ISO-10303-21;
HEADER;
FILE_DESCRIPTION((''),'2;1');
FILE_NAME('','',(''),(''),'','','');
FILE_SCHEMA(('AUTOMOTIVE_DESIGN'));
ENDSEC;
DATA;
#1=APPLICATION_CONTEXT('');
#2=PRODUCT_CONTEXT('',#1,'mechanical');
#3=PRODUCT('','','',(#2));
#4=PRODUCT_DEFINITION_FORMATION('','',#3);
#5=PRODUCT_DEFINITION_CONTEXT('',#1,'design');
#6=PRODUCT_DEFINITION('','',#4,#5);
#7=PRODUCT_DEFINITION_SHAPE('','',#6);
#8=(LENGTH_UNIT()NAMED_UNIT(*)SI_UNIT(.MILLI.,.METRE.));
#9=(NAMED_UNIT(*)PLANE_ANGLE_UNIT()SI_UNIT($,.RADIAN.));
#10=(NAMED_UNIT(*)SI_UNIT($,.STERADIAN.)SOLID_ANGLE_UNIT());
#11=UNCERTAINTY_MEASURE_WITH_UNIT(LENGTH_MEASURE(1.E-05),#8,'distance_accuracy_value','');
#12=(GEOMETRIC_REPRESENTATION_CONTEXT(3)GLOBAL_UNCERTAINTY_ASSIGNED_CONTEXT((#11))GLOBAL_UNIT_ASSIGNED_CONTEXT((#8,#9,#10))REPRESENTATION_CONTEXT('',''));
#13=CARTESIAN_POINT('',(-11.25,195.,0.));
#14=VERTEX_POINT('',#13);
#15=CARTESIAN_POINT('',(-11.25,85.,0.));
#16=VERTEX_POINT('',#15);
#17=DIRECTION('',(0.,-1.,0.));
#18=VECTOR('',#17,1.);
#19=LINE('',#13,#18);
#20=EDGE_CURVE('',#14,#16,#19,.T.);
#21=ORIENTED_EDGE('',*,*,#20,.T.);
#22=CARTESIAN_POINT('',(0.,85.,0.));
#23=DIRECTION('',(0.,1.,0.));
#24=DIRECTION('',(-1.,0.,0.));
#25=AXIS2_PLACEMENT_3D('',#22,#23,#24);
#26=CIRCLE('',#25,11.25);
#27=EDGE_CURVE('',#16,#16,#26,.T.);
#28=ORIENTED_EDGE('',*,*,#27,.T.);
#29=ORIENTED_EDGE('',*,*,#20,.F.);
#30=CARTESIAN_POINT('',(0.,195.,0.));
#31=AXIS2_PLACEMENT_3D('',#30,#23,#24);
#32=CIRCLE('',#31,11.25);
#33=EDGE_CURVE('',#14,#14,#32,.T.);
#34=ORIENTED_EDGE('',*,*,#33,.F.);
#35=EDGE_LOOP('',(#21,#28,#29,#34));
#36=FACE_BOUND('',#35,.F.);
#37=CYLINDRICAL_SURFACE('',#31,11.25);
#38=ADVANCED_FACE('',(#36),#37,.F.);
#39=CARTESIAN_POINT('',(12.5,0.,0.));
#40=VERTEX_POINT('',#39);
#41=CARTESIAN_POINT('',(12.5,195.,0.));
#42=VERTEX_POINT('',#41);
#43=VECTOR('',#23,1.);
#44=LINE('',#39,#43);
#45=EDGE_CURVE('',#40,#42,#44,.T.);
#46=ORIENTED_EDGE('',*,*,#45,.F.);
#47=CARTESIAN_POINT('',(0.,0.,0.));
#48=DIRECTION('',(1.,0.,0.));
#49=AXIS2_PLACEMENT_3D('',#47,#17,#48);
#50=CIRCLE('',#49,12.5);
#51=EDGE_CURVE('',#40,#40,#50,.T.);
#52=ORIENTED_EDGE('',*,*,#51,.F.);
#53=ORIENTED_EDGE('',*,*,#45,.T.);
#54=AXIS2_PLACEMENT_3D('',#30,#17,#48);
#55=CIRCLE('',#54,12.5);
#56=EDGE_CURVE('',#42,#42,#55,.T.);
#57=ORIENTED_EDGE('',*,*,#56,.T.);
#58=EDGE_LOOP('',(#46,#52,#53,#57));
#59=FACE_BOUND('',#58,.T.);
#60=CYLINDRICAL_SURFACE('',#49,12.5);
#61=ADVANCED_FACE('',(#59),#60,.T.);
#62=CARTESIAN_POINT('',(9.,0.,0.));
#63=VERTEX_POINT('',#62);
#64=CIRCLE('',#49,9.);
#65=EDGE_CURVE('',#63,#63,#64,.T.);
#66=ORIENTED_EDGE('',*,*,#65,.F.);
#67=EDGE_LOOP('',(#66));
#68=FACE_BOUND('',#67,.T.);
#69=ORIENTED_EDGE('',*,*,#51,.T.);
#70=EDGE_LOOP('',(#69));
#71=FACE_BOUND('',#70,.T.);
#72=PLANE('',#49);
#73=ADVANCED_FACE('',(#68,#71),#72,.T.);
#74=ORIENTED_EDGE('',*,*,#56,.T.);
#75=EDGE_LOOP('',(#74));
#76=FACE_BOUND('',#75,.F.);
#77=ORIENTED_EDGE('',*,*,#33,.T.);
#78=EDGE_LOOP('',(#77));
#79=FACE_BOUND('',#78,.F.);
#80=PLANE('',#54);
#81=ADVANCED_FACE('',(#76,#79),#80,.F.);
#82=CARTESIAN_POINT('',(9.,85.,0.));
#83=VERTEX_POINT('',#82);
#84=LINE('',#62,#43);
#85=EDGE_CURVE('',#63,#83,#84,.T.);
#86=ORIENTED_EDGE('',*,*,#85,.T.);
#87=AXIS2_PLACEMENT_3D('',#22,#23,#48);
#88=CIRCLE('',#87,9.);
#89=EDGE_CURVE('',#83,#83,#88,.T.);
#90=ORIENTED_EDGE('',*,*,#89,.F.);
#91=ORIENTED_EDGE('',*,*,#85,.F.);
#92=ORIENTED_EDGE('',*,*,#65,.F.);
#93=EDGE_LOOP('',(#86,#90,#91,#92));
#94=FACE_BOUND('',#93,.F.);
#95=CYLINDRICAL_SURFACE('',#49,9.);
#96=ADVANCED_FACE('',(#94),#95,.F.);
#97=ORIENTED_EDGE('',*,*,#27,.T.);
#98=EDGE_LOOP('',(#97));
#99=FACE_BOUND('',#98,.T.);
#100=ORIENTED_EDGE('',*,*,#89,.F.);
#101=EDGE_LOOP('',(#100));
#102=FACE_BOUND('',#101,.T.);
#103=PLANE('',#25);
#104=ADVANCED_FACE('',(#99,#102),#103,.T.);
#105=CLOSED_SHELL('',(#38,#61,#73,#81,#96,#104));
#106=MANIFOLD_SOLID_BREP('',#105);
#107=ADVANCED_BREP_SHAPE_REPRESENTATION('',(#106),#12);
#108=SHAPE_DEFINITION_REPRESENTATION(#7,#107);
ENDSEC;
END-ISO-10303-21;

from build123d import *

# Parameters (mm, degrees)
F0_R     = 12.5
F0_R_2   = 9
F1_DEPTH = 195
F2_R     = 11.25
F2_R_2   = 9
F3_DEPTH = 110


with BuildPart() as f1:
    # F0 (on Front) → F1 (new body)
    with BuildSketch(Plane.XZ):
        Circle(F0_R)
        Circle(F0_R_2, mode=Mode.SUBTRACT)
    extrude(amount=-F1_DEPTH)

    # F2 (on face) → F3 (cut)
    with BuildSketch(Plane(origin=(0, 195, 0), x_dir=(-1, 0, 0), z_dir=(0, 1, 0))):
        Circle(F2_R)
        Circle(F2_R_2, mode=Mode.SUBTRACT)
    extrude(amount=-F3_DEPTH, mode=Mode.SUBTRACT)


solid = f1.part
